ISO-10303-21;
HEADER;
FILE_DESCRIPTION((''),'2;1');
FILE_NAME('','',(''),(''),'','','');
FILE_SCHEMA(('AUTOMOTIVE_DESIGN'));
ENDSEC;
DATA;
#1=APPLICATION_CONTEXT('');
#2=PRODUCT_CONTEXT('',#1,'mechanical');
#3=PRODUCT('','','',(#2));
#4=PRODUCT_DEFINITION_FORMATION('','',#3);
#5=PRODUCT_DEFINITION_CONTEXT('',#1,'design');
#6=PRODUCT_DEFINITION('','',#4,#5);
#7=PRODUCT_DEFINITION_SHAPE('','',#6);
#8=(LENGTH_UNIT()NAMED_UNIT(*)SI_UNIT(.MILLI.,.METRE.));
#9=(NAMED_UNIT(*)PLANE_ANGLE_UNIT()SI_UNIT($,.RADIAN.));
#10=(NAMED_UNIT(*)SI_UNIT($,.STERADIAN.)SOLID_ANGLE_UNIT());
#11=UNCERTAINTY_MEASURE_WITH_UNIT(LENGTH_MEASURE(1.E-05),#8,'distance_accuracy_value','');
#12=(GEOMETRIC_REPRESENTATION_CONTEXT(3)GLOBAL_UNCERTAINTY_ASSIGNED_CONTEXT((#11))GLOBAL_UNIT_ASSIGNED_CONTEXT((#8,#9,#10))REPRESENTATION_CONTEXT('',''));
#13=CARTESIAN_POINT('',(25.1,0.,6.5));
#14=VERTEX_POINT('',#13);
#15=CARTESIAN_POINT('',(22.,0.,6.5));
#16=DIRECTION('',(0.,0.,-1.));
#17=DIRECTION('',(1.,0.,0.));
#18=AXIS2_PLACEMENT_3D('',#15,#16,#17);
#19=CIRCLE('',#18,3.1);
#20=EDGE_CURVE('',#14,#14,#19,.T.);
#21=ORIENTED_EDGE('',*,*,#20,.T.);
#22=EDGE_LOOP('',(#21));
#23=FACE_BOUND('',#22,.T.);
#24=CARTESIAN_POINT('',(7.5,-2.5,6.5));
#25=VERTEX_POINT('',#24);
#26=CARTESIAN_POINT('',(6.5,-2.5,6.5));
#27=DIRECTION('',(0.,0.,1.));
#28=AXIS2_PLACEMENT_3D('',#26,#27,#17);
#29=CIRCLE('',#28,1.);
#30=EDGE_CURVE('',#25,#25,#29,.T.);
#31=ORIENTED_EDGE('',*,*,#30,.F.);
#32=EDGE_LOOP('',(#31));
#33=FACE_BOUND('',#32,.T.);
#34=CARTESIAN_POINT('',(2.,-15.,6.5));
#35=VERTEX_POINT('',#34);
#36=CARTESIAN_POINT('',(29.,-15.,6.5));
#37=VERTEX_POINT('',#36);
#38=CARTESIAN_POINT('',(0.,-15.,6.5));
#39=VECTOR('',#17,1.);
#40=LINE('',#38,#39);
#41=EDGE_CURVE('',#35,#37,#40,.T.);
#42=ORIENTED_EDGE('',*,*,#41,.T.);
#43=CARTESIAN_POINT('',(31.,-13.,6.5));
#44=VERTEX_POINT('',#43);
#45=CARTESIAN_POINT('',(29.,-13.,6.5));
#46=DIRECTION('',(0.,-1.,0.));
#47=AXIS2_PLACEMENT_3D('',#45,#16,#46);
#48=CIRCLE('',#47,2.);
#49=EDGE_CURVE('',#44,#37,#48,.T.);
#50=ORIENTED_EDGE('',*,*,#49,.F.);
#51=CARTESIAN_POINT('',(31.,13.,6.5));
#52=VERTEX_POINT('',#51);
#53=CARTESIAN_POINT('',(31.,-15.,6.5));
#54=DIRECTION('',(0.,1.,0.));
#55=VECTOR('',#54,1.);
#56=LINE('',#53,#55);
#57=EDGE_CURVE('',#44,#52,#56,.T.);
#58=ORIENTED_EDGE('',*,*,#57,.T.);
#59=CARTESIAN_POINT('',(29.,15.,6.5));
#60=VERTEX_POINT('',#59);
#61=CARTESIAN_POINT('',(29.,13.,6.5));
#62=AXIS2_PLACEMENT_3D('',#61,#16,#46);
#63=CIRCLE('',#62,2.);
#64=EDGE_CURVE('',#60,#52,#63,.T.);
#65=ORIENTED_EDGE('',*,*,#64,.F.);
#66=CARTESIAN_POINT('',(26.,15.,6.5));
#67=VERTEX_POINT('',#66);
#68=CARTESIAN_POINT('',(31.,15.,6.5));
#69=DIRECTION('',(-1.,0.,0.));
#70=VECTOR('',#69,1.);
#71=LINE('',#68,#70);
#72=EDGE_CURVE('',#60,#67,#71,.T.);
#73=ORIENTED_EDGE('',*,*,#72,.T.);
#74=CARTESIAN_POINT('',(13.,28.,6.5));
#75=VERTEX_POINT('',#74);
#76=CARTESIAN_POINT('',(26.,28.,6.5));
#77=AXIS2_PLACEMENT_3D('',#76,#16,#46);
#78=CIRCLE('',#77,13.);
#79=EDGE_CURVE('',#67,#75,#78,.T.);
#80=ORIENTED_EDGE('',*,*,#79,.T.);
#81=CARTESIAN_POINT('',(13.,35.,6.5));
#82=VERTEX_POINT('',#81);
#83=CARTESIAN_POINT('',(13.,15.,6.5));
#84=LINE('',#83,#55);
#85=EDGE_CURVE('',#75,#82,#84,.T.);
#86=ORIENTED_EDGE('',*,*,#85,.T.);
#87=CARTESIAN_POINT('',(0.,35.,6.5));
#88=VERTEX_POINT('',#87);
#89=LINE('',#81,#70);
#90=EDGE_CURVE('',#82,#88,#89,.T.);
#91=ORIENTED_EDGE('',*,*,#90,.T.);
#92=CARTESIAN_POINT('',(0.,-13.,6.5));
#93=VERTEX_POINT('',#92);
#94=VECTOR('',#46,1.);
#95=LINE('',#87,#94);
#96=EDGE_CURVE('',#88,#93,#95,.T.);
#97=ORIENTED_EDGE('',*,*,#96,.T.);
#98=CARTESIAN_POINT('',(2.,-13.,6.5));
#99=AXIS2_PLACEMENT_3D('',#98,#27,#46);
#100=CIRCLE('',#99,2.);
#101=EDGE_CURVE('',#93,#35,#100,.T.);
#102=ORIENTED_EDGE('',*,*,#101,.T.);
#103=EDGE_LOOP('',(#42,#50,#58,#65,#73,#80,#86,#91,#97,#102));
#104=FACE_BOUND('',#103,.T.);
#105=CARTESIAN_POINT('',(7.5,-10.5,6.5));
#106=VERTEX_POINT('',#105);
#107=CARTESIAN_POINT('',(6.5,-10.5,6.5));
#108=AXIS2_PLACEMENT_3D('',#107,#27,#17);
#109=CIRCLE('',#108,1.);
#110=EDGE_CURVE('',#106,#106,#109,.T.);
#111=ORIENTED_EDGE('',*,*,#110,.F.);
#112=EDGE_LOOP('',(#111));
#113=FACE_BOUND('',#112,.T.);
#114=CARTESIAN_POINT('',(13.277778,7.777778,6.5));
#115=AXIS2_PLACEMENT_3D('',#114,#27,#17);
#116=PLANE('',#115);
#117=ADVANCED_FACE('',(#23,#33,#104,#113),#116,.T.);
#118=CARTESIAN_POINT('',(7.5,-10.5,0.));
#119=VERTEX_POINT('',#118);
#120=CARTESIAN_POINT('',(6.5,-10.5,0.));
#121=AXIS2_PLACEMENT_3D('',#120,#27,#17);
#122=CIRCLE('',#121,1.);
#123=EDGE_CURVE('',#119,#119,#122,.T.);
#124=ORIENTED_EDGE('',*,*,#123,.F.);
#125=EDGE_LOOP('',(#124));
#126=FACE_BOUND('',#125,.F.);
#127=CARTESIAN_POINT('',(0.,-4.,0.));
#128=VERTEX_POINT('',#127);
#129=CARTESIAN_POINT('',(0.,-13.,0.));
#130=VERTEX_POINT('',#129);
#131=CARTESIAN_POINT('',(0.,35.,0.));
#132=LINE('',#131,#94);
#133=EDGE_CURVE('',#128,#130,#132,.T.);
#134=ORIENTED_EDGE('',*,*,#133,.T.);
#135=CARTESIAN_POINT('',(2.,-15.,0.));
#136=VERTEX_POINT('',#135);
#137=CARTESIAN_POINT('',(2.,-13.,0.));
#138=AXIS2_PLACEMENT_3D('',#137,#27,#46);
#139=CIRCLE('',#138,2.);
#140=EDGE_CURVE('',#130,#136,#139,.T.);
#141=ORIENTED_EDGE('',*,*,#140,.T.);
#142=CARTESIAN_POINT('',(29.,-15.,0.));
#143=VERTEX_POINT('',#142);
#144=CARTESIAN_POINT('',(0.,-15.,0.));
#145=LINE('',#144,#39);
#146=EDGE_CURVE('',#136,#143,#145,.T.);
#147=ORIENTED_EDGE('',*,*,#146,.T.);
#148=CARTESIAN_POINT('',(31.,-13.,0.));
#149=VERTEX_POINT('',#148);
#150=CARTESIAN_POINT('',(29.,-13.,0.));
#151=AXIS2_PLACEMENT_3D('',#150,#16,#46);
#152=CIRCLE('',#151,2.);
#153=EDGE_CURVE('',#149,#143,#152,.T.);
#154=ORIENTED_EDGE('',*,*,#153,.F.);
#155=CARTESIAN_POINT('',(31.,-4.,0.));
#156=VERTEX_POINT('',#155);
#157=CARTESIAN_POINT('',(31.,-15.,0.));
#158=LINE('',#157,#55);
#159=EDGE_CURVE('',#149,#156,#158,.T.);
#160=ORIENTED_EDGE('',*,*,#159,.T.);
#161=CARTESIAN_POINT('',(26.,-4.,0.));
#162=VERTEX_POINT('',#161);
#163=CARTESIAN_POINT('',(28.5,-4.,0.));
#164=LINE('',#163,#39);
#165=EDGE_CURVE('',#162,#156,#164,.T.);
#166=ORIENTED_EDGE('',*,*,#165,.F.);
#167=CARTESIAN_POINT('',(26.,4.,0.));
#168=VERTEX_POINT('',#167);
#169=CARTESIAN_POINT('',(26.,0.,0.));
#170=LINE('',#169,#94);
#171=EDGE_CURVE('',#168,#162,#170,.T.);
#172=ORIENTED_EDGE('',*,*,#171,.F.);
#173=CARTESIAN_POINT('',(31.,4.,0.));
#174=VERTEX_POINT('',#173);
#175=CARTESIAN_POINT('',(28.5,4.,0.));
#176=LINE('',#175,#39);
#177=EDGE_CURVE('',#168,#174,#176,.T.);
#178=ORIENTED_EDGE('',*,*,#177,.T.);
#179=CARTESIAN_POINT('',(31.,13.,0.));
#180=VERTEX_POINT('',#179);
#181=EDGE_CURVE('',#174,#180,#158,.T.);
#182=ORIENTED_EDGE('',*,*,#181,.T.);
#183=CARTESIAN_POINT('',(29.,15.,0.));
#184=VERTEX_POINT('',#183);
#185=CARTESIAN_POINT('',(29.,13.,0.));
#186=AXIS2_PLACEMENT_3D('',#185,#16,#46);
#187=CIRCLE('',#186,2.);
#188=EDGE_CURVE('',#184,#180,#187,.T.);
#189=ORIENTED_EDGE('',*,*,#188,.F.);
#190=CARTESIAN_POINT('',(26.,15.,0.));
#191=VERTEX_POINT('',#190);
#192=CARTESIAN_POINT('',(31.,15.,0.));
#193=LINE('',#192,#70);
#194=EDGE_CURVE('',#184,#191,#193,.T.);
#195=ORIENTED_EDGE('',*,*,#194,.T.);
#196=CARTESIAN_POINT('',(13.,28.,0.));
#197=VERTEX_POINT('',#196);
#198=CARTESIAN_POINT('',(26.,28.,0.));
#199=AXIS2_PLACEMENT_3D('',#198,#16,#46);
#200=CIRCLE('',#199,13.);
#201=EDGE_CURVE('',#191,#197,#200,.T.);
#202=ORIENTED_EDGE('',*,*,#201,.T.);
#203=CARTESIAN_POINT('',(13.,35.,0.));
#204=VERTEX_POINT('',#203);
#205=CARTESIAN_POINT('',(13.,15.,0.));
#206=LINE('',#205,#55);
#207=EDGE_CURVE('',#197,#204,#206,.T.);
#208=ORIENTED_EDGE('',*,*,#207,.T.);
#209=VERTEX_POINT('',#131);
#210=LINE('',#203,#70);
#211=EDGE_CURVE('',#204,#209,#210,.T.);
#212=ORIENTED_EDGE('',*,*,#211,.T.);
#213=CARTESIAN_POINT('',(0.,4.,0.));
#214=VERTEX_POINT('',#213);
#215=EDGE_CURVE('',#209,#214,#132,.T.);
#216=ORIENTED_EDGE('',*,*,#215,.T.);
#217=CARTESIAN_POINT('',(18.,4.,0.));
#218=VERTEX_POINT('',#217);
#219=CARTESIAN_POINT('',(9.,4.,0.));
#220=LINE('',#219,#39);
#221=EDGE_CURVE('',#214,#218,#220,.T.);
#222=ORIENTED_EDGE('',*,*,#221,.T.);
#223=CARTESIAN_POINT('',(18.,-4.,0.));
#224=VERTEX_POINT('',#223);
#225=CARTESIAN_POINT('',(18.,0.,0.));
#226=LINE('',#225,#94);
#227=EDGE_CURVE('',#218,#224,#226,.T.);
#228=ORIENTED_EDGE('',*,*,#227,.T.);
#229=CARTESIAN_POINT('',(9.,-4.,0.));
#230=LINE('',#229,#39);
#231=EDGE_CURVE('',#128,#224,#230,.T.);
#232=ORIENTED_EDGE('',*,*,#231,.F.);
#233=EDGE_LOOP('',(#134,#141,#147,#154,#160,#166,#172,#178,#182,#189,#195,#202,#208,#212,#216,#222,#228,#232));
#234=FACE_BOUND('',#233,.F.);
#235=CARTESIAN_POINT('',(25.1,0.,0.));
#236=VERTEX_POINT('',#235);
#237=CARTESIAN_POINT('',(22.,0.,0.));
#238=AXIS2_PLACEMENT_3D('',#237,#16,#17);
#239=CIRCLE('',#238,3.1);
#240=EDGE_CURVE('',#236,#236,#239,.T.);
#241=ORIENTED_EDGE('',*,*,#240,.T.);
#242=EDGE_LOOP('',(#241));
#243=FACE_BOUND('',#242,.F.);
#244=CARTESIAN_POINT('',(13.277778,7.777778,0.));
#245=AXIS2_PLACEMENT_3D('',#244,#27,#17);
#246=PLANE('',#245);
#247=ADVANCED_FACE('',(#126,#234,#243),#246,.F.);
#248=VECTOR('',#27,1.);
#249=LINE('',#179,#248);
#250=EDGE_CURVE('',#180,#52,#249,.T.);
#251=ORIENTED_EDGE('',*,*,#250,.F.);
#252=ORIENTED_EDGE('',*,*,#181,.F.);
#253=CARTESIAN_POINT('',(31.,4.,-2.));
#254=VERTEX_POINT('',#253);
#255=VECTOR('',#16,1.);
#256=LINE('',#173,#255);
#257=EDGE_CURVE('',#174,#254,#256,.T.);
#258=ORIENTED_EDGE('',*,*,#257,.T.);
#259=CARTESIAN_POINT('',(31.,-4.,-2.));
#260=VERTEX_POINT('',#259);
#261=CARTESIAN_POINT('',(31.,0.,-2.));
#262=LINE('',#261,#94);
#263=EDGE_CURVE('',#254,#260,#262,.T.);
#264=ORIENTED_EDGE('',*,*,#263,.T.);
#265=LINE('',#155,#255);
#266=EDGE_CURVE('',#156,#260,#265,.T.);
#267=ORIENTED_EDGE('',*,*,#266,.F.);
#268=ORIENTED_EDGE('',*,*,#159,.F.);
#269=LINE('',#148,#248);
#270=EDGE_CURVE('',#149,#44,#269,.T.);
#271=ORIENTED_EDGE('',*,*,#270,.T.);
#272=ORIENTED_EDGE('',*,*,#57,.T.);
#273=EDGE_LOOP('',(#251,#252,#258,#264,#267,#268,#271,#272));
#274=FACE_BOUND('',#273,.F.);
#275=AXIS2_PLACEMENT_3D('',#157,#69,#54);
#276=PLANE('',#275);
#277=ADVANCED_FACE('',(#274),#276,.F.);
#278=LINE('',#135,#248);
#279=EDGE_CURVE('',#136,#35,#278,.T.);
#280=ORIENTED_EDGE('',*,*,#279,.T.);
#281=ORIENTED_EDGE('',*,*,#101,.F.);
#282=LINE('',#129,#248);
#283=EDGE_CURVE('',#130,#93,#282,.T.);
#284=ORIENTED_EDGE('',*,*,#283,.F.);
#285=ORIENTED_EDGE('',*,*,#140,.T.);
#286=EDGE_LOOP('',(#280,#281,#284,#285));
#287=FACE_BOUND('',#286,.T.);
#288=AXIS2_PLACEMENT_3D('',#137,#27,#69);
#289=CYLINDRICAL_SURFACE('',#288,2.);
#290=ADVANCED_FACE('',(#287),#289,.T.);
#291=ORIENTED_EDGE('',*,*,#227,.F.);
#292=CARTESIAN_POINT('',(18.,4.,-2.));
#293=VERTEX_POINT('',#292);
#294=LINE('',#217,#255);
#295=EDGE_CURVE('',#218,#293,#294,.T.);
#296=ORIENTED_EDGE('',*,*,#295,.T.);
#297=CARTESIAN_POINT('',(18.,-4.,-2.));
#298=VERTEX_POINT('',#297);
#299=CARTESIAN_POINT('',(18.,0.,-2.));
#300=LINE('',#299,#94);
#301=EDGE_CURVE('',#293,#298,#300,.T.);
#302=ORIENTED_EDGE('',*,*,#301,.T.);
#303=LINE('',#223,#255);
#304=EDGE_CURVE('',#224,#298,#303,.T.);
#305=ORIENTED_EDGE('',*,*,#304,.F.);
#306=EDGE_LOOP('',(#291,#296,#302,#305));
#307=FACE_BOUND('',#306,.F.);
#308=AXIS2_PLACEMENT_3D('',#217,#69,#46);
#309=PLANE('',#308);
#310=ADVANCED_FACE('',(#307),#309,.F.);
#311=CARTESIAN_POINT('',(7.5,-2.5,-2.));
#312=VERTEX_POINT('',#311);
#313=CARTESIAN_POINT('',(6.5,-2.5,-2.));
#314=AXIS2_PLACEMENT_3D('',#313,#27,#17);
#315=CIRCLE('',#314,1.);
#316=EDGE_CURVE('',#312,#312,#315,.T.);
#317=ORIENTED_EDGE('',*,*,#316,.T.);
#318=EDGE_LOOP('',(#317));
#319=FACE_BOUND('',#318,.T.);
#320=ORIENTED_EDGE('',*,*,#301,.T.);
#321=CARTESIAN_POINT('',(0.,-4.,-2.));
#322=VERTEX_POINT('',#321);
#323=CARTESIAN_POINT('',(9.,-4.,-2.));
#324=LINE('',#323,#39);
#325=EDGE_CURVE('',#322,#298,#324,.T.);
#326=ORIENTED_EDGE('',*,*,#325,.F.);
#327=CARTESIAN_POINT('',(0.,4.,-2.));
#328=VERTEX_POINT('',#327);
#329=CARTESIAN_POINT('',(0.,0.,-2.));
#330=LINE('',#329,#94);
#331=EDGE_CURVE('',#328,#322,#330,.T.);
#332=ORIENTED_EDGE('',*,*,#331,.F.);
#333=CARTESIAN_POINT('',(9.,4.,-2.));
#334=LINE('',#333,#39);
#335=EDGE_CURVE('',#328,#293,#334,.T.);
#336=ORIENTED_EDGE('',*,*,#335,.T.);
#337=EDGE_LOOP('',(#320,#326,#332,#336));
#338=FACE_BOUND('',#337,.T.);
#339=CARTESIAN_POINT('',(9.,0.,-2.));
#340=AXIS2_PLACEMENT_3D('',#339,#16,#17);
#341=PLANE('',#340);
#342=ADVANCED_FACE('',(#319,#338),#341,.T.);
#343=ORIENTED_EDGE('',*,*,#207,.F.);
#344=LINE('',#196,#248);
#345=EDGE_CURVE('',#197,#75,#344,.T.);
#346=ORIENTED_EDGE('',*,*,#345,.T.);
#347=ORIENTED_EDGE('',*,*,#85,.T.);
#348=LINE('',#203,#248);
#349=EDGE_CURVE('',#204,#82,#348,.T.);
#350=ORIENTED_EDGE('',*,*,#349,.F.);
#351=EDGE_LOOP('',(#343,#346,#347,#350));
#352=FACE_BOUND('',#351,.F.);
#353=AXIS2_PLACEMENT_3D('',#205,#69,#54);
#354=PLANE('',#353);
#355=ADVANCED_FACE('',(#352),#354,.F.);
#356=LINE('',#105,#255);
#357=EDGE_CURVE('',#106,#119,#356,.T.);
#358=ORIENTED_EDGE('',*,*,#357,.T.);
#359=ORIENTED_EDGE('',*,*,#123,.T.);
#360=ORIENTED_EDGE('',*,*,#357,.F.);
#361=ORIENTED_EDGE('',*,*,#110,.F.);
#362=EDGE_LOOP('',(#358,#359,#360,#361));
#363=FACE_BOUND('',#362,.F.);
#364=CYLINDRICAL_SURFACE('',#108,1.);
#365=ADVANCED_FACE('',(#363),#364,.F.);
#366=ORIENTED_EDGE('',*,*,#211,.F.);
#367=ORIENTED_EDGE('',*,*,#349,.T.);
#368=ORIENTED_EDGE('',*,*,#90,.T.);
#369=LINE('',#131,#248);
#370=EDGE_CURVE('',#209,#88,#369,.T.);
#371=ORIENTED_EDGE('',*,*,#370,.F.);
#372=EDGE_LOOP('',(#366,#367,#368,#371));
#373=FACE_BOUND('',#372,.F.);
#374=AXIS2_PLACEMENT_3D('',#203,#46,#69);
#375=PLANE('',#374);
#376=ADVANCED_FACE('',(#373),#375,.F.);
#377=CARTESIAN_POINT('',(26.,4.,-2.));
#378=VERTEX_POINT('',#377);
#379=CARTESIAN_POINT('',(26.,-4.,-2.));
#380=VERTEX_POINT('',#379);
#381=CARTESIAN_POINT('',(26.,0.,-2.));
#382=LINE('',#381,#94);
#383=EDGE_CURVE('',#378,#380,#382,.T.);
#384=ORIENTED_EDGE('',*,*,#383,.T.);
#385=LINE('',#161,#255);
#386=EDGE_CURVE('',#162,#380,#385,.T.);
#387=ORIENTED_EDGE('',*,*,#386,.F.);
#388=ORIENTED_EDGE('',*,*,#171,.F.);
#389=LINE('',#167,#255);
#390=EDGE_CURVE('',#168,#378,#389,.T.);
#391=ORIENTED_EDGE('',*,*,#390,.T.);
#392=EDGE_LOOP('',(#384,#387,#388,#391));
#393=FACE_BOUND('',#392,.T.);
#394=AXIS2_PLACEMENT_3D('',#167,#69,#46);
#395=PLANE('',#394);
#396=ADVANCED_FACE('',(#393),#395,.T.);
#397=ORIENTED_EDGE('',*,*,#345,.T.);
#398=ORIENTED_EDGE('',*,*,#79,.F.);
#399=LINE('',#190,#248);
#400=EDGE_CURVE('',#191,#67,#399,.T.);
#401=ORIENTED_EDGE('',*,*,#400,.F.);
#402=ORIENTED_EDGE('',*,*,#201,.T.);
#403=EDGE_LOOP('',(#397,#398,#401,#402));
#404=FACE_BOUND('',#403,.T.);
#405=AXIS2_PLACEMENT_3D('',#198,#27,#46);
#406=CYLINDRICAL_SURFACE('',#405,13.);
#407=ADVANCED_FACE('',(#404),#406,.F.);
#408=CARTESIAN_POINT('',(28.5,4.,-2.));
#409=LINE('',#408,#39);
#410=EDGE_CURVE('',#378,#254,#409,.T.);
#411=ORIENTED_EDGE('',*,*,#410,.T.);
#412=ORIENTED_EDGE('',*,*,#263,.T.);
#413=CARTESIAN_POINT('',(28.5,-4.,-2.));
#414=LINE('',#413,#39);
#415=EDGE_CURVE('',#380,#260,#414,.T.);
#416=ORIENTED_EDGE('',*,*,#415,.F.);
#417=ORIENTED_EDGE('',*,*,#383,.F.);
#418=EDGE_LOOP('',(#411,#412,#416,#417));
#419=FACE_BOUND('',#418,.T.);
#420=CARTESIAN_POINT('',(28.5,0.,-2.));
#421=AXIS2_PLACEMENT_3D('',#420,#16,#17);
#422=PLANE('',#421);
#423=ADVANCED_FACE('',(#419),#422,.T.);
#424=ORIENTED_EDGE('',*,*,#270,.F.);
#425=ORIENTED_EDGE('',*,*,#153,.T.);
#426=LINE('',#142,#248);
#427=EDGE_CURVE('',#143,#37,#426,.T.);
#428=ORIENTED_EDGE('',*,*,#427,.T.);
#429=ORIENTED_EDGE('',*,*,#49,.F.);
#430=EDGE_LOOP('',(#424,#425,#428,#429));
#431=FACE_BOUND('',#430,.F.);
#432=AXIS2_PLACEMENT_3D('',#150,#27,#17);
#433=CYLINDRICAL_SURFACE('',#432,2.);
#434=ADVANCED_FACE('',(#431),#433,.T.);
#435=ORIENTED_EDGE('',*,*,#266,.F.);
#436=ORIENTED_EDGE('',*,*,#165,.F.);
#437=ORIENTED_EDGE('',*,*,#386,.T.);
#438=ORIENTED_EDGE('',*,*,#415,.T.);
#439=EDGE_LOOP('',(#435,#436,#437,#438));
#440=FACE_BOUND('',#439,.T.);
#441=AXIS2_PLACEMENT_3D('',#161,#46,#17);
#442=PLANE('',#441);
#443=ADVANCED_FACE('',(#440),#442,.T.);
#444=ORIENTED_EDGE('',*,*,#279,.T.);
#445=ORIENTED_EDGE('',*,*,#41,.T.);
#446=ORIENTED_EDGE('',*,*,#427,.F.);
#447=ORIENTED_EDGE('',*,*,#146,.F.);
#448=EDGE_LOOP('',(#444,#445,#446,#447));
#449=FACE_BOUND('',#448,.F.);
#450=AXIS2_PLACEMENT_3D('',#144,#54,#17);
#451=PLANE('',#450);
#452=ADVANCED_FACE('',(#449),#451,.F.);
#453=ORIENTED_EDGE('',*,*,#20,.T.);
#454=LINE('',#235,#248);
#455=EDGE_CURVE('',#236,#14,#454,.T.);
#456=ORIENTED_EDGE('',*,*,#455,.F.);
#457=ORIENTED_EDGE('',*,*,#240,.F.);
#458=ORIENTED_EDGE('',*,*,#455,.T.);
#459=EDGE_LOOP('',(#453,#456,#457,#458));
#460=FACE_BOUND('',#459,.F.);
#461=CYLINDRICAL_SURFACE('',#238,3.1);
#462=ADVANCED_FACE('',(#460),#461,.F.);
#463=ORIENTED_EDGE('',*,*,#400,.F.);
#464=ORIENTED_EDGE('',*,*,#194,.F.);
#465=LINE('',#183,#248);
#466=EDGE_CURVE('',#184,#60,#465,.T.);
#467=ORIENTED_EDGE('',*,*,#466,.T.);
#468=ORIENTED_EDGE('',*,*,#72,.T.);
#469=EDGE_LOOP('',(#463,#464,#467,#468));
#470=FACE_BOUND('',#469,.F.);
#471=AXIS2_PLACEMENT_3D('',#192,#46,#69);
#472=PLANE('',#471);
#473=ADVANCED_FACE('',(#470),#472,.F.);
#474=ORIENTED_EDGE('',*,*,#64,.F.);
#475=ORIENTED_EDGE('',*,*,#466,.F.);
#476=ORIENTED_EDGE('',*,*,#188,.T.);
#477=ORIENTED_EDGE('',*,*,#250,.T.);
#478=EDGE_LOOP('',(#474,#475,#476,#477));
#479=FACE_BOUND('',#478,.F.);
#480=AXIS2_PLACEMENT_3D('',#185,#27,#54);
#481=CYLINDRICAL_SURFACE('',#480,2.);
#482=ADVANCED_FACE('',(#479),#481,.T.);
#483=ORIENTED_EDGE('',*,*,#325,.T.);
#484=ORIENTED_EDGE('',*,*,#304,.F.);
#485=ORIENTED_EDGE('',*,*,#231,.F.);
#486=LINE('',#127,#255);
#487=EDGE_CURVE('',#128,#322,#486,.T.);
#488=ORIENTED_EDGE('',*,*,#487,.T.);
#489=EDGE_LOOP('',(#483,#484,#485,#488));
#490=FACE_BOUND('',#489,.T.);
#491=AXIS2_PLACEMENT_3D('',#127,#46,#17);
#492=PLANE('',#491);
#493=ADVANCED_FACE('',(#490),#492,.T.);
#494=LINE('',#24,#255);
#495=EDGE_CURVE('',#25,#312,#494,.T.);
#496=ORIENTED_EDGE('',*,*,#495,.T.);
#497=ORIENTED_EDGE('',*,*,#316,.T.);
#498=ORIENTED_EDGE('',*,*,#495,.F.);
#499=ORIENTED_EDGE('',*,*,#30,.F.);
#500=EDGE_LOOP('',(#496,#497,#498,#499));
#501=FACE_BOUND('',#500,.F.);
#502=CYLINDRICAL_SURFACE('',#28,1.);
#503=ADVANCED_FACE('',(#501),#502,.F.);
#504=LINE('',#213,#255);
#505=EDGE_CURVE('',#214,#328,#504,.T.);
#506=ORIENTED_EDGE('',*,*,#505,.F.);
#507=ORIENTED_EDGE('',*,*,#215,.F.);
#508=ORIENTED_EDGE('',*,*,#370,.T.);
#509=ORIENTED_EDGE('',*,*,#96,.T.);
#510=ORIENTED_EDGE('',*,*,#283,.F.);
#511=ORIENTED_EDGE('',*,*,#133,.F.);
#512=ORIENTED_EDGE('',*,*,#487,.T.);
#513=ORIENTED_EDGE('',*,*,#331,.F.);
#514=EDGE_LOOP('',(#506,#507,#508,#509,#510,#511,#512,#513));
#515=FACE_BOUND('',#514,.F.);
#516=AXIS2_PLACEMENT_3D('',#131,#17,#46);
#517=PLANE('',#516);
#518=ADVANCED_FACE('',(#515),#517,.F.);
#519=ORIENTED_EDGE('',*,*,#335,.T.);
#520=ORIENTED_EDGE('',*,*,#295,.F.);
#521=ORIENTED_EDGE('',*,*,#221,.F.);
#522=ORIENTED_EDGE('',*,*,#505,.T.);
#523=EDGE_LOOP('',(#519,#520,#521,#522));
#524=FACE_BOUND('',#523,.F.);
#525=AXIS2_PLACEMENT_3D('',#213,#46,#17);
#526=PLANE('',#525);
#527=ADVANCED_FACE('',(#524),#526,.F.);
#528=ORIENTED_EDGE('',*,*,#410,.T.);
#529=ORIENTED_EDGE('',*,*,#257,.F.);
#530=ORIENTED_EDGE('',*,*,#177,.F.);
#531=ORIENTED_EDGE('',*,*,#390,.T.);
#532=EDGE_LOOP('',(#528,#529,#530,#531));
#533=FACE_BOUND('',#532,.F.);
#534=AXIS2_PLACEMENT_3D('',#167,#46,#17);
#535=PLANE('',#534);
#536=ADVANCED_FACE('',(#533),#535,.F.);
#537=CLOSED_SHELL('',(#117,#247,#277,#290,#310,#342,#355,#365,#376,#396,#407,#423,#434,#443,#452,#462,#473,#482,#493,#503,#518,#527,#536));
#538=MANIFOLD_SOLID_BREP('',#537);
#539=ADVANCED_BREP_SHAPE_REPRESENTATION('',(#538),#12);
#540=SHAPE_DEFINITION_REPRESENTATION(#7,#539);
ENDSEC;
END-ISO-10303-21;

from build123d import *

# Parameters (mm, degrees)
PAD_DEPTH       = 6.5
SKETCH001_W     = 18
SKETCH001_H     = 8
SKETCH001_W_2   = 5
PAD001_DEPTH    = 2
SKETCH002_R     = 3.1
POCKET_DEPTH    = 6.501
SKETCH003_R     = 1
POCKET001_DEPTH = 8.501
FILLET_R        = 13
FILLET001_R     = 2


with BuildPart() as part:
    # Sketch → Pad (new body)
    with BuildSketch(Plane.XY):
        Polygon((0, -15), (31, -15), (31, 15), (13, 15), (13, 35), (0, 35), align=None)
    extrude(amount=PAD_DEPTH)

    # Sketch001 (on Face7 of Pad) → Pad001 (join)
    with BuildSketch(Plane(origin=(0, 0, 0), x_dir=(1, 0, 0), z_dir=(0, 0, -1))):
        with Locations((9, 0)):
            Rectangle(SKETCH001_W, SKETCH001_H)
        with Locations((28.5, 0)):
            Rectangle(SKETCH001_W_2, SKETCH001_H)
    extrude(amount=PAD001_DEPTH)

    # Sketch002 (on Face4 of Pad001) → Pocket (cut, through all)
    with BuildSketch(Plane(origin=(0, 0, 0), x_dir=(1, 0, 0), z_dir=(0, 0, -1))):
        with Locations((22, 0)):
            Circle(SKETCH002_R)
    extrude(amount=-POCKET_DEPTH, mode=Mode.SUBTRACT)

    # Sketch003 (on Face5 of Pocket) → Pocket001 (cut, through all)
    with BuildSketch(Plane.XY.offset(6.5)):
        with Locations((6.5, -10.5)):
            Circle(SKETCH003_R)
        with Locations((6.5, -2.5)):
            Circle(SKETCH003_R)
    extrude(amount=-POCKET001_DEPTH, mode=Mode.SUBTRACT)

    # Fillet
    fillet_edges = [part.edges().sort_by_distance(p)[0] for p in [
        (13, 15, 3.25),
    ]]
    fillet(fillet_edges, radius=FILLET_R)

    # Fillet001
    fillet001_edges = [part.edges().sort_by_distance(p)[0] for p in [
        (31, 15, 3.25),
        (31, -15, 3.25),
        (0, -15, 3.25),
    ]]
    fillet(fillet001_edges, radius=FILLET001_R)


solid = part.part
